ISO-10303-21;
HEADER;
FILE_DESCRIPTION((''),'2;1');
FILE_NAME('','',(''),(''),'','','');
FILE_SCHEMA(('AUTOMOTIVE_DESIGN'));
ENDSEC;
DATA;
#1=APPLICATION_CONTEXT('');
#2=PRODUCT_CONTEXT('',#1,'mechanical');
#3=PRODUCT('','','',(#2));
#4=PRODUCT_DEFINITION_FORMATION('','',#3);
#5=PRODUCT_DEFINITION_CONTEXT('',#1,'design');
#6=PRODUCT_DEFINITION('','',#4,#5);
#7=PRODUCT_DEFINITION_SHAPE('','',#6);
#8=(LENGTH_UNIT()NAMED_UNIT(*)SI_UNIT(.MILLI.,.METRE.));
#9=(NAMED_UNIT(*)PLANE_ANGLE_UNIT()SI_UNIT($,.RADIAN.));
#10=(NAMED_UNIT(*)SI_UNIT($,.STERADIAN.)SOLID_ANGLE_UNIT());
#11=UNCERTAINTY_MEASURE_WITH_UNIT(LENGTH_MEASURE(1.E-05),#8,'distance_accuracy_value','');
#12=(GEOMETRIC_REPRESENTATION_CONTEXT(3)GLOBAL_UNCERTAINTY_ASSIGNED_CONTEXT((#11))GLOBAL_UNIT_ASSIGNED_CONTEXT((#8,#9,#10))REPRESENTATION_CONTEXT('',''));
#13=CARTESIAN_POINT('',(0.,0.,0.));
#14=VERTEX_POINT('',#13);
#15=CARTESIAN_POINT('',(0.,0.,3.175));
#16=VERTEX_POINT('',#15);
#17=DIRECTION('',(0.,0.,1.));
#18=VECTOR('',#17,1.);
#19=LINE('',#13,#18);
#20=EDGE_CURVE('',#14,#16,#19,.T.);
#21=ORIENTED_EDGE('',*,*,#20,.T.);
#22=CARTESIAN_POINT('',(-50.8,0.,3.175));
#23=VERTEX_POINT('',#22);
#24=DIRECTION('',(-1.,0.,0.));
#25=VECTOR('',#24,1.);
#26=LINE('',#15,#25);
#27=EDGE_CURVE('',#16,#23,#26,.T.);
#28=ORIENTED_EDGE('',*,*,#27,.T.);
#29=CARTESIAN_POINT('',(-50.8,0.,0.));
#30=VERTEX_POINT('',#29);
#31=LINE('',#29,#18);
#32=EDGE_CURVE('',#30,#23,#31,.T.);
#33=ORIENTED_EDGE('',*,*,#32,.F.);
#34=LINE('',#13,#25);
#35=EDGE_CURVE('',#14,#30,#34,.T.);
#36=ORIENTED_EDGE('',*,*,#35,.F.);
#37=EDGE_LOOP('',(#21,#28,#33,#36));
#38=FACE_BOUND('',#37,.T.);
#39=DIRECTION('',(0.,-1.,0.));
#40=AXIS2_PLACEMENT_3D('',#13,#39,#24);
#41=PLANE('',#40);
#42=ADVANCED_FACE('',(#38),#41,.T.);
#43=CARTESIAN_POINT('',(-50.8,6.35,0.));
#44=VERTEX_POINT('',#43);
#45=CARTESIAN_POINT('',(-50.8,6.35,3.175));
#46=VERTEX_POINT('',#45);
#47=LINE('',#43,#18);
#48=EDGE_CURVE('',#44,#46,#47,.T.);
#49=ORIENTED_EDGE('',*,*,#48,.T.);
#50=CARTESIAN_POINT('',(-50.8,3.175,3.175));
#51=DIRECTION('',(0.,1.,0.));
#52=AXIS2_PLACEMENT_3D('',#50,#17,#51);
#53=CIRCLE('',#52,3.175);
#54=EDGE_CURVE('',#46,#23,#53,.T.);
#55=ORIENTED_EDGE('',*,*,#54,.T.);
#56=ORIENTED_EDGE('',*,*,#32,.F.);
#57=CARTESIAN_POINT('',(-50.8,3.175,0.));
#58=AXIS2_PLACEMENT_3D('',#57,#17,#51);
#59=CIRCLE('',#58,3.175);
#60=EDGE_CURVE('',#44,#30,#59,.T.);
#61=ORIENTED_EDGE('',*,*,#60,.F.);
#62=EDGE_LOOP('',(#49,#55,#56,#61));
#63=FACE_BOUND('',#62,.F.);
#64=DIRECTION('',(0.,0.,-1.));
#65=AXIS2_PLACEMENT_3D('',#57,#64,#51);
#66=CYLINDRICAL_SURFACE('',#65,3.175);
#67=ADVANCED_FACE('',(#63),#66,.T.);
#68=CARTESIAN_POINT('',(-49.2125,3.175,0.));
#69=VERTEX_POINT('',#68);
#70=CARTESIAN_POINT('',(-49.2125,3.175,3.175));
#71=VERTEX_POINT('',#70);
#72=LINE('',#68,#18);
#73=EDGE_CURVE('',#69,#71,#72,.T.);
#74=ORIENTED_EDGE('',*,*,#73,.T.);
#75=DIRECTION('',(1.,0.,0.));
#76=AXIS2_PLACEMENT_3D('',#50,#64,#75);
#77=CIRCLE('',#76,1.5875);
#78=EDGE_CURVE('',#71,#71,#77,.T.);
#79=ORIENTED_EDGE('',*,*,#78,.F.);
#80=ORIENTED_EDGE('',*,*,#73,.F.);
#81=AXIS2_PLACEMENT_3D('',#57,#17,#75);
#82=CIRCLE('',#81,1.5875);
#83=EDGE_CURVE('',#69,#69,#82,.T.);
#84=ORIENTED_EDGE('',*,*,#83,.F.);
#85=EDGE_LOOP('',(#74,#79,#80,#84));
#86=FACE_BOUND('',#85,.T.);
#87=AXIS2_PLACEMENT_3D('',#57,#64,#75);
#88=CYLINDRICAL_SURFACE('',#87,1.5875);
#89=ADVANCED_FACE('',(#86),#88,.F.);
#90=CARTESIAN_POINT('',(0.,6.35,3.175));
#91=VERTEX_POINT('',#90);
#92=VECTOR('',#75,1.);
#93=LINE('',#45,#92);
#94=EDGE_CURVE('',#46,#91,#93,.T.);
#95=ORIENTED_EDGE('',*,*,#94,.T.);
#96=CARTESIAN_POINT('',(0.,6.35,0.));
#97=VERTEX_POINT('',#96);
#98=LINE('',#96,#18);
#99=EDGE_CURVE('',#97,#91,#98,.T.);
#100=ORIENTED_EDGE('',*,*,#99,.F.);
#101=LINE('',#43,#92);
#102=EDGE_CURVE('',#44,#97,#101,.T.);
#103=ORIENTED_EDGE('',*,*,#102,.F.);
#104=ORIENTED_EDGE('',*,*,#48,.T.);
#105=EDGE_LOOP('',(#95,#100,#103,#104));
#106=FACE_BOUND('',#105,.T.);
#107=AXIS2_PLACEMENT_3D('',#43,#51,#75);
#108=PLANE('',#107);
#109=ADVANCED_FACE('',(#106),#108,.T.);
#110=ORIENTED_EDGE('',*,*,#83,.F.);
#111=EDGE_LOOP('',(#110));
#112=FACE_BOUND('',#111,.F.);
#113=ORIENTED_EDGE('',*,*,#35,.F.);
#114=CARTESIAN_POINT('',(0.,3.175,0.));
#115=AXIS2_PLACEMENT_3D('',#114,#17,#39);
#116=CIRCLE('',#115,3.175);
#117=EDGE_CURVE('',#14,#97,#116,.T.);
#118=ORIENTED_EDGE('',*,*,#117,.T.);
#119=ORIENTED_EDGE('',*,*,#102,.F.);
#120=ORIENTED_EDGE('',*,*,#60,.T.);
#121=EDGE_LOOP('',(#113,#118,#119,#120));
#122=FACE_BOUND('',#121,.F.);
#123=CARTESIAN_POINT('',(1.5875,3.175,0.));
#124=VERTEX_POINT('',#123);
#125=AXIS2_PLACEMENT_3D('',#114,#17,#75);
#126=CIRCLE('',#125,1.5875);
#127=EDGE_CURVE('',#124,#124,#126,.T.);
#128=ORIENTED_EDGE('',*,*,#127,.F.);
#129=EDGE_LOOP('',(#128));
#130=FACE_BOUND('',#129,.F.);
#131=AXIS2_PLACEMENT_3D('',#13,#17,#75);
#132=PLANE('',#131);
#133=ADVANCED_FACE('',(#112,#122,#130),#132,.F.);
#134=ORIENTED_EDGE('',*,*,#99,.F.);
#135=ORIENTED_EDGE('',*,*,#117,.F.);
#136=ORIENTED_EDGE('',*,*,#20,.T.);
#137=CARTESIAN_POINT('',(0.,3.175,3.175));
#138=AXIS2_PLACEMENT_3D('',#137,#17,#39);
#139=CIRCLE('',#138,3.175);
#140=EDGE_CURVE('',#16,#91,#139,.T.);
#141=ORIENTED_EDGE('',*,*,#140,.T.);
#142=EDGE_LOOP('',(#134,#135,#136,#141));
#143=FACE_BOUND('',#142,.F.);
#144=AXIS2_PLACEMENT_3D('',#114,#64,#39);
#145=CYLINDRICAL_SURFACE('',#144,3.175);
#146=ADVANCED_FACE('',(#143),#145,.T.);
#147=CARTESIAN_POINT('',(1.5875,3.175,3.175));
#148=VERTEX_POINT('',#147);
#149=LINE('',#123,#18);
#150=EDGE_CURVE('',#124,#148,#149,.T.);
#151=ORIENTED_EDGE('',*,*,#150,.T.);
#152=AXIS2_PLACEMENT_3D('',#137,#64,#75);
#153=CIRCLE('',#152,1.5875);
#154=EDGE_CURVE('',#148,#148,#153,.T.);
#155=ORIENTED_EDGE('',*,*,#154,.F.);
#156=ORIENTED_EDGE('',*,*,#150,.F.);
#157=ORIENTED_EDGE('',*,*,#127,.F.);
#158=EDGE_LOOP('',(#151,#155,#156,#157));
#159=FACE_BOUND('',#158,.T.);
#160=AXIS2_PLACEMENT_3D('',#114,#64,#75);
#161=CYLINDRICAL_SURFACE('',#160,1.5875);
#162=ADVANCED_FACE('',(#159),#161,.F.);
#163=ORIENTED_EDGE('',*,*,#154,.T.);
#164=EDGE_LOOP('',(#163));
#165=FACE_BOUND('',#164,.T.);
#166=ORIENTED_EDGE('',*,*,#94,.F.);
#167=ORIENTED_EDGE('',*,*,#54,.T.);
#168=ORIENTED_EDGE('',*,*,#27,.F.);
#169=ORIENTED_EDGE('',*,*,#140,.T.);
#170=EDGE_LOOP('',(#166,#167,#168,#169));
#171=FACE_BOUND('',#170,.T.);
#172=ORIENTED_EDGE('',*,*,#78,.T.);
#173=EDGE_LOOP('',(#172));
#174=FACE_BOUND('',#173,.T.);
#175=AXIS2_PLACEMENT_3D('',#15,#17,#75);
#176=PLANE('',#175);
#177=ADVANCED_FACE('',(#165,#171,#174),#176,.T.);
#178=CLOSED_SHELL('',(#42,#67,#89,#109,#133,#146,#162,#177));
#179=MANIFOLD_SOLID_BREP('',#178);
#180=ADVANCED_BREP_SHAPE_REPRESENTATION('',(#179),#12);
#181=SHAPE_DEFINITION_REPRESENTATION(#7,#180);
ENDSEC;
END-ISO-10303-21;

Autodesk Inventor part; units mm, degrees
ref_plane "YZ Plane" through (0, 0, 0) normal (1, 0, 0) x (0, 1, 0)
ref_plane "XZ Plane" through (0, 0, 0) normal (0, 1, 0) x (-1, 0, 0)
ref_plane "XY Plane" through (0, 0, 0) normal (0, 0, 1) x (1, 0, 0)
sketch "Sketch1" plane through (0, 0, 0) normal (0, 0, 1) x (1, 0, 0)
  line L0 (0, 0) -> (-50.8, 0)
  line L1 (-50.8, 0) -> (-50.8, 6.35)
  line L2 (-50.8, 6.35) -> (0, 6.35)
  line L3 (0, 6.35) -> (0, 0)
  arc A0 (-50.8, 6.35) -> (-50.8, 0) centre (-50.8, 3.175) ccw
  arc A1 (0, 0) -> (0, 6.35) centre (0, 3.175) ccw
  circle A2 centre (-50.8, 3.175) radius 1.5875
  circle A3 centre (0, 3.175) radius 1.5875
  dimension "d0" = 50.8
  dimension "d1" = 6.35
  dimension "d2" = 3.175
  dimension "d3" = 3.175
  dimension "d4" = 3.175
extrude "Extrusion1" add sketch "Sketch1" along normal blind 3.175
extrude "Extrusion2" cut sketch "Sketch1" along normal blind 3.175 contours A3 L3 | L3 A3 | A2 L1 | L1 A2
